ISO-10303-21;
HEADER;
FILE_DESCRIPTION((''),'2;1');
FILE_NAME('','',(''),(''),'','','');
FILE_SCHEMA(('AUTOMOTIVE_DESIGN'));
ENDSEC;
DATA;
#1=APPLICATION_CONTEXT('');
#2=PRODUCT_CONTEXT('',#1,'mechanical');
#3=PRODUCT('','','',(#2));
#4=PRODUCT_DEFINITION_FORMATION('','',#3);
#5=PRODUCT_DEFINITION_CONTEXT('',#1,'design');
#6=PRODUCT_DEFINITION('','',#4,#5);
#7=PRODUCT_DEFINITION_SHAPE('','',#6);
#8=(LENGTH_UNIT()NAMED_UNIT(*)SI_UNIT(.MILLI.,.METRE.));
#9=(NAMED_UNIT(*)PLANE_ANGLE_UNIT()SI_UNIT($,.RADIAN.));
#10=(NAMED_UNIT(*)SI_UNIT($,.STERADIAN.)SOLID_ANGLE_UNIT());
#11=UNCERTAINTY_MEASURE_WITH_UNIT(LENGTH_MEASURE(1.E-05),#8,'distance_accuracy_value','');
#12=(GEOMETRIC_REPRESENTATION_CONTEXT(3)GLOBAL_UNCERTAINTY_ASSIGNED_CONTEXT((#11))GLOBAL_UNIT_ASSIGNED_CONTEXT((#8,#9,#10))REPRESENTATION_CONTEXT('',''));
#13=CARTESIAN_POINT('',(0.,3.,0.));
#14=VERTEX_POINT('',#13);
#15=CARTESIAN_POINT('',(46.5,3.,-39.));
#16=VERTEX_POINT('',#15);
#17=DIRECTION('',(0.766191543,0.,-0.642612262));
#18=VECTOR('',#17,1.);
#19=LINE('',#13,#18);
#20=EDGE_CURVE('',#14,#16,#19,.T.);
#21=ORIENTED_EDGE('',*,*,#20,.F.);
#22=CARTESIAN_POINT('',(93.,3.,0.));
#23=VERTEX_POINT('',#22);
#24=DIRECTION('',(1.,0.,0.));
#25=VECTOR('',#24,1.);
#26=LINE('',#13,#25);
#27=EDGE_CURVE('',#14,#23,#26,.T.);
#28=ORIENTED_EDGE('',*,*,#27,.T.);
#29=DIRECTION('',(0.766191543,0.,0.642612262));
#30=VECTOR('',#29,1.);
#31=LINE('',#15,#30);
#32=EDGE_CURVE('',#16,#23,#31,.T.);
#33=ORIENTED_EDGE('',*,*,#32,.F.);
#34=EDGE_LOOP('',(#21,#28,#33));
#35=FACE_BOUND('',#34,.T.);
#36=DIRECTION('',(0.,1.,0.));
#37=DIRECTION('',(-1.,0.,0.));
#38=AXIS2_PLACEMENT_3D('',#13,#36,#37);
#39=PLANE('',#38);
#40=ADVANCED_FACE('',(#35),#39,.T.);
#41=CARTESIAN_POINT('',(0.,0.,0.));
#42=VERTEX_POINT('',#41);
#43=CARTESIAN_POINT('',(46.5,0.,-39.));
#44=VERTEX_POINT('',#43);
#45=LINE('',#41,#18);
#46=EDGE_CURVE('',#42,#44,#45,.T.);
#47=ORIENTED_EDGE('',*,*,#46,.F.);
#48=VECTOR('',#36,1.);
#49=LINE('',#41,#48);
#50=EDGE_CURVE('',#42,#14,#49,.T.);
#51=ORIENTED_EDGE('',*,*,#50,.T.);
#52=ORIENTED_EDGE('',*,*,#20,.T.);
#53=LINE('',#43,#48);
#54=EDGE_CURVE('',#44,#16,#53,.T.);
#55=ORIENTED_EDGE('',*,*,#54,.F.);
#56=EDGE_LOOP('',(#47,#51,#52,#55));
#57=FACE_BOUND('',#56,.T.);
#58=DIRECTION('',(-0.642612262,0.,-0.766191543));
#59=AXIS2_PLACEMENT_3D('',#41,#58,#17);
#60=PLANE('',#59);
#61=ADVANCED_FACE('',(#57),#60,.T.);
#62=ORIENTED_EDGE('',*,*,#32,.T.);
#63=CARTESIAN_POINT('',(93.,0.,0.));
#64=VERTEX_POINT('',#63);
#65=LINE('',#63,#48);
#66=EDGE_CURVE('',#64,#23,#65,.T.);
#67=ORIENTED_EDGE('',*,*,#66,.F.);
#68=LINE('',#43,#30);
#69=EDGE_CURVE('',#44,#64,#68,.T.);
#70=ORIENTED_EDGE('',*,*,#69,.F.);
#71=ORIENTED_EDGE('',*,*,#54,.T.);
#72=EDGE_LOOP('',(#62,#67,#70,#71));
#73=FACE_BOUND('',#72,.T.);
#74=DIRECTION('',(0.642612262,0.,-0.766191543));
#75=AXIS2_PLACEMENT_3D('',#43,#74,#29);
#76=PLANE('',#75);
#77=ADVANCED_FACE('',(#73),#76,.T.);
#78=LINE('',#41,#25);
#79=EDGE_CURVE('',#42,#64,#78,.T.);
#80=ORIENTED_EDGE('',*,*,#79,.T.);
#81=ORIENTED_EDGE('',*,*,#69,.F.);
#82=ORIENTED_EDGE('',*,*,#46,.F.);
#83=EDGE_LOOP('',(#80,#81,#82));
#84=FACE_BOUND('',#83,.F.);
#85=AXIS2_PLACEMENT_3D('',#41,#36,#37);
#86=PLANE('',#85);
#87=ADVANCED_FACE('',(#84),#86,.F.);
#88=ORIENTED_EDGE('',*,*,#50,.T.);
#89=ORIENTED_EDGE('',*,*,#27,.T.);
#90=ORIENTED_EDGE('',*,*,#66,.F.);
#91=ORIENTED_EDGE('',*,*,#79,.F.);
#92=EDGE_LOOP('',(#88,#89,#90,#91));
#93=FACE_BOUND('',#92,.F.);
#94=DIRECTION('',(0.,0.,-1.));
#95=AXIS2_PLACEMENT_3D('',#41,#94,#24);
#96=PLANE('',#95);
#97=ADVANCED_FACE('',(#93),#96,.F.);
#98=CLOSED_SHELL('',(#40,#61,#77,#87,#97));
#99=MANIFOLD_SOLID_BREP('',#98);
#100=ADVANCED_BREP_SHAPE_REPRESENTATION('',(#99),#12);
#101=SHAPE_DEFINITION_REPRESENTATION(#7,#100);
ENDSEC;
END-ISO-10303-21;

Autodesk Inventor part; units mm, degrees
ref_plane "YZ Plane" through (0, 0, 0) normal (1, 0, 0) x (0, 1, 0)
ref_plane "XZ Plane" through (0, 0, 0) normal (0, 1, 0) x (-1, 0, 0)
ref_plane "XY Plane" through (0, 0, 0) normal (0, 0, 1) x (1, 0, 0)
sketch "Skizze1" plane through (0, 0, 0) normal (0, 1, 0) x (-1, 0, 0)
  line L0 (0, 0) -> (-93, 0)
  line L1 (0, 0) -> (-46.5, -39)
  line L2 (-46.5, -39) -> (-93, 0)
  dimension "d0" = 93
  dimension "d4" = 39
extrude "Extrusion1" add sketch "Skizze1" along normal blind 3
properties part number "wood_front"
